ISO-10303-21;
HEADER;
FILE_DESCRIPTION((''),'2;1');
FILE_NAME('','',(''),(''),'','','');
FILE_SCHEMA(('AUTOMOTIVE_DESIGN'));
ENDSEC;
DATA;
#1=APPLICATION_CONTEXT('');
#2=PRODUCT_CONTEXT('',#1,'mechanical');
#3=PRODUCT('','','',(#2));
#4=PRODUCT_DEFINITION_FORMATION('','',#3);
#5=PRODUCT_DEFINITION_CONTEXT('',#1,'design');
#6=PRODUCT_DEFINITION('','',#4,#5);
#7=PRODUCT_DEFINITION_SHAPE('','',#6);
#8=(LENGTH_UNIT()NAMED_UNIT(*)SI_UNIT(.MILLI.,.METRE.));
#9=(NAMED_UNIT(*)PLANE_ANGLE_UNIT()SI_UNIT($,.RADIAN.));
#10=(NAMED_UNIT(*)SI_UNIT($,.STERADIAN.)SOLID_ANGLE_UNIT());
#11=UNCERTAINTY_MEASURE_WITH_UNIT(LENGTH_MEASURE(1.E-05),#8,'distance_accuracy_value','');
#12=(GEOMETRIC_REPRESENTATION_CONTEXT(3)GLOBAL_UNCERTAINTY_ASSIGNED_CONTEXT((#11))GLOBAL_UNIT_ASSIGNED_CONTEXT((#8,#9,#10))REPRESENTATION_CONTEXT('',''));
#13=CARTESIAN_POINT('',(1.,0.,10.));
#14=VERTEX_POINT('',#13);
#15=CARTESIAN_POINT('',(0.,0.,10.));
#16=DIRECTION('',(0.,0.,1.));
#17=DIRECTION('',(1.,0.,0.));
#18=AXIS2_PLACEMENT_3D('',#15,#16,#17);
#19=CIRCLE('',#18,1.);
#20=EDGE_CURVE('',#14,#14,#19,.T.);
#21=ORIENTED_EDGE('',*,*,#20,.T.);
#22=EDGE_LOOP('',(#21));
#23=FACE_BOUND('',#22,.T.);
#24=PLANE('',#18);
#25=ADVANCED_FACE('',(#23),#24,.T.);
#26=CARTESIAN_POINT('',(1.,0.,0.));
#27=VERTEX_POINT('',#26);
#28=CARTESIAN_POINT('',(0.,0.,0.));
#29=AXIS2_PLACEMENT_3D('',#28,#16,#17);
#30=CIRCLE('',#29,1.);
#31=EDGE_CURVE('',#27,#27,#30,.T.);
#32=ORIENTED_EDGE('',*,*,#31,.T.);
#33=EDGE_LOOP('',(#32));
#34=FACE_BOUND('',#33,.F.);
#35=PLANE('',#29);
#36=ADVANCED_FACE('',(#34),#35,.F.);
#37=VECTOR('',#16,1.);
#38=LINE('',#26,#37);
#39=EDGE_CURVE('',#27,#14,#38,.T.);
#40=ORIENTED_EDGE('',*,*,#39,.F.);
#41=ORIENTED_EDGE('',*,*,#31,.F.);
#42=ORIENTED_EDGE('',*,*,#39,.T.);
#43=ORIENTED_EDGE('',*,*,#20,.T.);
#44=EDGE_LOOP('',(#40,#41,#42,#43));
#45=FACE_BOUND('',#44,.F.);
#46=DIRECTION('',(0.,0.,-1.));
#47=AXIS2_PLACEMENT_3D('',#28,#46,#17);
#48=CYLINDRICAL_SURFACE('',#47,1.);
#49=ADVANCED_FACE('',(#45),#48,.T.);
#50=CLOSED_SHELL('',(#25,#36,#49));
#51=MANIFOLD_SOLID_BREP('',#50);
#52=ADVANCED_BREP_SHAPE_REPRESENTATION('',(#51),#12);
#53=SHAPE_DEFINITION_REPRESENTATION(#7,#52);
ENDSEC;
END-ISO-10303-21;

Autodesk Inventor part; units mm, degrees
ref_plane "YZ Plane" through (0, 0, 0) normal (1, 0, 0) x (0, 1, 0)
ref_plane "XZ Plane" through (0, 0, 0) normal (0, 1, 0) x (-1, 0, 0)
ref_plane "XY Plane" through (0, 0, 0) normal (0, 0, 1) x (1, 0, 0)
sketch "Sketch1" plane through (0, 0, 0) normal (0, 0, 1) x (1, 0, 0)
  circle A0 centre (0, 0) radius 1
  dimension "d0" = 2
extrude "Extrusion1" add sketch "Sketch1" along normal blind 10
properties part number "shaft"
